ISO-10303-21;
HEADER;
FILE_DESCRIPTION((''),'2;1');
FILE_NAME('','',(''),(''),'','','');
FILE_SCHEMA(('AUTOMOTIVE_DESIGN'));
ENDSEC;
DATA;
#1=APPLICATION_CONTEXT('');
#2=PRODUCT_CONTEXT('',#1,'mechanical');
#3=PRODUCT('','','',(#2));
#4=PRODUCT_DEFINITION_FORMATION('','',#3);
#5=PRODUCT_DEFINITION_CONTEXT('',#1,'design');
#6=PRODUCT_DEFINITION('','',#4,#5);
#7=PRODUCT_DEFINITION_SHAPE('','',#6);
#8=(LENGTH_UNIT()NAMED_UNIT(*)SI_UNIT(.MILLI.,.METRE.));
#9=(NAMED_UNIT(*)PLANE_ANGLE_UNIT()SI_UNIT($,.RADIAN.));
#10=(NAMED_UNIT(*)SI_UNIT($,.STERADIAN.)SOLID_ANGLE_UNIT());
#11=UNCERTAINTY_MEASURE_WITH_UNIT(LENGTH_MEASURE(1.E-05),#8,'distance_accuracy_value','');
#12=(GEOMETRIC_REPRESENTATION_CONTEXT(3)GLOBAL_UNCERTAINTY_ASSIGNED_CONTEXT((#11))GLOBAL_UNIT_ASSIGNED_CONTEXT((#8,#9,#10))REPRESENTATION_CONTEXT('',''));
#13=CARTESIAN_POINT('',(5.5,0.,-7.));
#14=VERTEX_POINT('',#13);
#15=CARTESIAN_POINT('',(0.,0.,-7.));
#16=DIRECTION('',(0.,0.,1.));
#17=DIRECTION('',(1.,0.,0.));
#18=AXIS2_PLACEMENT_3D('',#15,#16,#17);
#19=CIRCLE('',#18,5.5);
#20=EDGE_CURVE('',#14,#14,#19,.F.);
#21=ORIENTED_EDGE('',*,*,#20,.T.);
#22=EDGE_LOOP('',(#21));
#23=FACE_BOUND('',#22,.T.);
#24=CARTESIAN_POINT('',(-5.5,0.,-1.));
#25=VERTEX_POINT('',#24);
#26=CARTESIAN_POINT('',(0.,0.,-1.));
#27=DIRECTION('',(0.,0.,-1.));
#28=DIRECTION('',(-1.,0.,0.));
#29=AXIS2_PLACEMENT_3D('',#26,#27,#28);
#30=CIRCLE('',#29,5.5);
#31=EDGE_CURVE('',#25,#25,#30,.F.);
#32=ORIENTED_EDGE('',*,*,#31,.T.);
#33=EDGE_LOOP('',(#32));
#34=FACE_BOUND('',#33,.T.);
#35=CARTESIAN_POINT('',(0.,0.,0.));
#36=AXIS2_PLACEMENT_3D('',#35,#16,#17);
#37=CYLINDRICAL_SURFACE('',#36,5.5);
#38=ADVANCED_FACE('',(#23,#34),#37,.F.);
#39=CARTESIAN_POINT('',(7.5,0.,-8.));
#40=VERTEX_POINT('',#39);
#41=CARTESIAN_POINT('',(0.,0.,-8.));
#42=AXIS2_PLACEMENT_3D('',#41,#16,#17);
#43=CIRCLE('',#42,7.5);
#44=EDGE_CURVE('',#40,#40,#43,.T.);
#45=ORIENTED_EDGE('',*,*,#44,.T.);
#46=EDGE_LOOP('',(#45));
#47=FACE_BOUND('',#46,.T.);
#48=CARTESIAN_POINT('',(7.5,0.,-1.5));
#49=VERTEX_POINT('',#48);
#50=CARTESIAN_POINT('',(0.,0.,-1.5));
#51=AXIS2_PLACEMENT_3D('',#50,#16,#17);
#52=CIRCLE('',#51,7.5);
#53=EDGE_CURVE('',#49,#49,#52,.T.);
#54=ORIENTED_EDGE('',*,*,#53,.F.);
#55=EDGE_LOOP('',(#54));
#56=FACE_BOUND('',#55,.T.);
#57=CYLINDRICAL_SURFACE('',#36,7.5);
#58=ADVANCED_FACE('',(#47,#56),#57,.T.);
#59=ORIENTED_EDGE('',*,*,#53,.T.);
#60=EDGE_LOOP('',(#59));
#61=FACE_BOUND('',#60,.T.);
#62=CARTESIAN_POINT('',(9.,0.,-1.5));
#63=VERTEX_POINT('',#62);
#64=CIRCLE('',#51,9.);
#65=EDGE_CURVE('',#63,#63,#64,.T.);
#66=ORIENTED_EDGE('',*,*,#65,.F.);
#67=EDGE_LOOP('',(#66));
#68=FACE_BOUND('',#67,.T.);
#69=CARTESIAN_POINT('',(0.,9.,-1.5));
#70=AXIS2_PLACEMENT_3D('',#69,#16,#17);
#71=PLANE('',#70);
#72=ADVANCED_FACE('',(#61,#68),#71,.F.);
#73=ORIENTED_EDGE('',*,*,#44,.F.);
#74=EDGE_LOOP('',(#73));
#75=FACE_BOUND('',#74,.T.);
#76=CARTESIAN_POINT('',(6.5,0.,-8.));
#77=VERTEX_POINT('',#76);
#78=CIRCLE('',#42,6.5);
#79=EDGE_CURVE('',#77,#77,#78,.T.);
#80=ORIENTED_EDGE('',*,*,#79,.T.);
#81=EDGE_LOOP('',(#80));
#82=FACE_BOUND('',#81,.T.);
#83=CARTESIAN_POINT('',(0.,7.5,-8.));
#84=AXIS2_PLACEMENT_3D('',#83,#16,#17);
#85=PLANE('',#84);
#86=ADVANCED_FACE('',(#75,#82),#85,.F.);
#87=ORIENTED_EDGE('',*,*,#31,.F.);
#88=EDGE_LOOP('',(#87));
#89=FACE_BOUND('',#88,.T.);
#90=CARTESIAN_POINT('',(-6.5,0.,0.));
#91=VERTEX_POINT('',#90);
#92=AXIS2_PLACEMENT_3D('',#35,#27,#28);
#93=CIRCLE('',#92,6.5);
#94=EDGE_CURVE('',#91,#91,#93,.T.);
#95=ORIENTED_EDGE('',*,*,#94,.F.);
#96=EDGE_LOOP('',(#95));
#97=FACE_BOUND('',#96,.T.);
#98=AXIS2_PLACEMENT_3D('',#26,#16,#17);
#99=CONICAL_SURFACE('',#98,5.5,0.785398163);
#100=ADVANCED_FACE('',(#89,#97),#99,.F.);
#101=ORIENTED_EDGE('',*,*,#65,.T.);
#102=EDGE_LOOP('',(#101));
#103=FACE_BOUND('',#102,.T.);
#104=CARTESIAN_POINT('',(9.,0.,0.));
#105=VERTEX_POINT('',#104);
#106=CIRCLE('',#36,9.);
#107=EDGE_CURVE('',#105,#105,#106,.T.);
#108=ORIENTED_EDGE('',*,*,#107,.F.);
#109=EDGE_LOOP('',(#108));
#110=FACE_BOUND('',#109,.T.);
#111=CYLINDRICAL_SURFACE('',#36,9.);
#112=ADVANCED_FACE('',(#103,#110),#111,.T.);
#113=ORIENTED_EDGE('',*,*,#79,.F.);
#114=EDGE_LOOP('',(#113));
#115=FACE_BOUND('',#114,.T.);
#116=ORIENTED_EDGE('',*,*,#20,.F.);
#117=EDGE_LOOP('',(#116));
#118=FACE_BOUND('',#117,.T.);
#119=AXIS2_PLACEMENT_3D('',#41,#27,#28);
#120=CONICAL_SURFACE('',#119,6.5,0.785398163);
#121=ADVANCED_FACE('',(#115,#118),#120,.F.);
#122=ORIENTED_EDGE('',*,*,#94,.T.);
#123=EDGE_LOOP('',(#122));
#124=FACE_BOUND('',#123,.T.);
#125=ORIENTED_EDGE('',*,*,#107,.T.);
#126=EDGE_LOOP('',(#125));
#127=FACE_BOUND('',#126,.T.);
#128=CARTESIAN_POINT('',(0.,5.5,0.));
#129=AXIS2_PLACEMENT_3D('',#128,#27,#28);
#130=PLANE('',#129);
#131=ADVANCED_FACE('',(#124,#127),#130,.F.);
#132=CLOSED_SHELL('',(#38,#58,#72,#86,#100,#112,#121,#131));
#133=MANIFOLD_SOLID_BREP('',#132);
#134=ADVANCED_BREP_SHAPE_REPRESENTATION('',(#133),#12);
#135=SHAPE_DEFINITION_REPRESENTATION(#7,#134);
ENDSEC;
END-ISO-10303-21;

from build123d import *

# Parameters (mm, degrees)
CHAMFER1_SIZE = 1


with BuildPart() as part:
    # Sketch1 → Revolve1 (revolve)
    with BuildSketch(Plane(origin=(0, 0, 0), x_dir=(0, 0, -1), z_dir=(1, 0, 0)), mode=Mode.PRIVATE) as revolve1_sk:
        Polygon((8, 5.5), (0, 5.5), (0, 9), (1.5, 9), (1.5, 7.5), (8, 7.5), align=None)
    revolve(revolve1_sk.sketch.rotate(Axis((0, 0, 0), (0, 0, -1)), 90), axis=Axis((0, 0, 0), (0, 0, -1)))

    # Chamfer1
    chamfer1_edges = [part.edges().sort_by_distance(p)[0] for p in [
        (-5.5, 0, 0),
        (-5.5, 0, -8),
    ]]
    chamfer(chamfer1_edges, length=CHAMFER1_SIZE)


solid = part.part
